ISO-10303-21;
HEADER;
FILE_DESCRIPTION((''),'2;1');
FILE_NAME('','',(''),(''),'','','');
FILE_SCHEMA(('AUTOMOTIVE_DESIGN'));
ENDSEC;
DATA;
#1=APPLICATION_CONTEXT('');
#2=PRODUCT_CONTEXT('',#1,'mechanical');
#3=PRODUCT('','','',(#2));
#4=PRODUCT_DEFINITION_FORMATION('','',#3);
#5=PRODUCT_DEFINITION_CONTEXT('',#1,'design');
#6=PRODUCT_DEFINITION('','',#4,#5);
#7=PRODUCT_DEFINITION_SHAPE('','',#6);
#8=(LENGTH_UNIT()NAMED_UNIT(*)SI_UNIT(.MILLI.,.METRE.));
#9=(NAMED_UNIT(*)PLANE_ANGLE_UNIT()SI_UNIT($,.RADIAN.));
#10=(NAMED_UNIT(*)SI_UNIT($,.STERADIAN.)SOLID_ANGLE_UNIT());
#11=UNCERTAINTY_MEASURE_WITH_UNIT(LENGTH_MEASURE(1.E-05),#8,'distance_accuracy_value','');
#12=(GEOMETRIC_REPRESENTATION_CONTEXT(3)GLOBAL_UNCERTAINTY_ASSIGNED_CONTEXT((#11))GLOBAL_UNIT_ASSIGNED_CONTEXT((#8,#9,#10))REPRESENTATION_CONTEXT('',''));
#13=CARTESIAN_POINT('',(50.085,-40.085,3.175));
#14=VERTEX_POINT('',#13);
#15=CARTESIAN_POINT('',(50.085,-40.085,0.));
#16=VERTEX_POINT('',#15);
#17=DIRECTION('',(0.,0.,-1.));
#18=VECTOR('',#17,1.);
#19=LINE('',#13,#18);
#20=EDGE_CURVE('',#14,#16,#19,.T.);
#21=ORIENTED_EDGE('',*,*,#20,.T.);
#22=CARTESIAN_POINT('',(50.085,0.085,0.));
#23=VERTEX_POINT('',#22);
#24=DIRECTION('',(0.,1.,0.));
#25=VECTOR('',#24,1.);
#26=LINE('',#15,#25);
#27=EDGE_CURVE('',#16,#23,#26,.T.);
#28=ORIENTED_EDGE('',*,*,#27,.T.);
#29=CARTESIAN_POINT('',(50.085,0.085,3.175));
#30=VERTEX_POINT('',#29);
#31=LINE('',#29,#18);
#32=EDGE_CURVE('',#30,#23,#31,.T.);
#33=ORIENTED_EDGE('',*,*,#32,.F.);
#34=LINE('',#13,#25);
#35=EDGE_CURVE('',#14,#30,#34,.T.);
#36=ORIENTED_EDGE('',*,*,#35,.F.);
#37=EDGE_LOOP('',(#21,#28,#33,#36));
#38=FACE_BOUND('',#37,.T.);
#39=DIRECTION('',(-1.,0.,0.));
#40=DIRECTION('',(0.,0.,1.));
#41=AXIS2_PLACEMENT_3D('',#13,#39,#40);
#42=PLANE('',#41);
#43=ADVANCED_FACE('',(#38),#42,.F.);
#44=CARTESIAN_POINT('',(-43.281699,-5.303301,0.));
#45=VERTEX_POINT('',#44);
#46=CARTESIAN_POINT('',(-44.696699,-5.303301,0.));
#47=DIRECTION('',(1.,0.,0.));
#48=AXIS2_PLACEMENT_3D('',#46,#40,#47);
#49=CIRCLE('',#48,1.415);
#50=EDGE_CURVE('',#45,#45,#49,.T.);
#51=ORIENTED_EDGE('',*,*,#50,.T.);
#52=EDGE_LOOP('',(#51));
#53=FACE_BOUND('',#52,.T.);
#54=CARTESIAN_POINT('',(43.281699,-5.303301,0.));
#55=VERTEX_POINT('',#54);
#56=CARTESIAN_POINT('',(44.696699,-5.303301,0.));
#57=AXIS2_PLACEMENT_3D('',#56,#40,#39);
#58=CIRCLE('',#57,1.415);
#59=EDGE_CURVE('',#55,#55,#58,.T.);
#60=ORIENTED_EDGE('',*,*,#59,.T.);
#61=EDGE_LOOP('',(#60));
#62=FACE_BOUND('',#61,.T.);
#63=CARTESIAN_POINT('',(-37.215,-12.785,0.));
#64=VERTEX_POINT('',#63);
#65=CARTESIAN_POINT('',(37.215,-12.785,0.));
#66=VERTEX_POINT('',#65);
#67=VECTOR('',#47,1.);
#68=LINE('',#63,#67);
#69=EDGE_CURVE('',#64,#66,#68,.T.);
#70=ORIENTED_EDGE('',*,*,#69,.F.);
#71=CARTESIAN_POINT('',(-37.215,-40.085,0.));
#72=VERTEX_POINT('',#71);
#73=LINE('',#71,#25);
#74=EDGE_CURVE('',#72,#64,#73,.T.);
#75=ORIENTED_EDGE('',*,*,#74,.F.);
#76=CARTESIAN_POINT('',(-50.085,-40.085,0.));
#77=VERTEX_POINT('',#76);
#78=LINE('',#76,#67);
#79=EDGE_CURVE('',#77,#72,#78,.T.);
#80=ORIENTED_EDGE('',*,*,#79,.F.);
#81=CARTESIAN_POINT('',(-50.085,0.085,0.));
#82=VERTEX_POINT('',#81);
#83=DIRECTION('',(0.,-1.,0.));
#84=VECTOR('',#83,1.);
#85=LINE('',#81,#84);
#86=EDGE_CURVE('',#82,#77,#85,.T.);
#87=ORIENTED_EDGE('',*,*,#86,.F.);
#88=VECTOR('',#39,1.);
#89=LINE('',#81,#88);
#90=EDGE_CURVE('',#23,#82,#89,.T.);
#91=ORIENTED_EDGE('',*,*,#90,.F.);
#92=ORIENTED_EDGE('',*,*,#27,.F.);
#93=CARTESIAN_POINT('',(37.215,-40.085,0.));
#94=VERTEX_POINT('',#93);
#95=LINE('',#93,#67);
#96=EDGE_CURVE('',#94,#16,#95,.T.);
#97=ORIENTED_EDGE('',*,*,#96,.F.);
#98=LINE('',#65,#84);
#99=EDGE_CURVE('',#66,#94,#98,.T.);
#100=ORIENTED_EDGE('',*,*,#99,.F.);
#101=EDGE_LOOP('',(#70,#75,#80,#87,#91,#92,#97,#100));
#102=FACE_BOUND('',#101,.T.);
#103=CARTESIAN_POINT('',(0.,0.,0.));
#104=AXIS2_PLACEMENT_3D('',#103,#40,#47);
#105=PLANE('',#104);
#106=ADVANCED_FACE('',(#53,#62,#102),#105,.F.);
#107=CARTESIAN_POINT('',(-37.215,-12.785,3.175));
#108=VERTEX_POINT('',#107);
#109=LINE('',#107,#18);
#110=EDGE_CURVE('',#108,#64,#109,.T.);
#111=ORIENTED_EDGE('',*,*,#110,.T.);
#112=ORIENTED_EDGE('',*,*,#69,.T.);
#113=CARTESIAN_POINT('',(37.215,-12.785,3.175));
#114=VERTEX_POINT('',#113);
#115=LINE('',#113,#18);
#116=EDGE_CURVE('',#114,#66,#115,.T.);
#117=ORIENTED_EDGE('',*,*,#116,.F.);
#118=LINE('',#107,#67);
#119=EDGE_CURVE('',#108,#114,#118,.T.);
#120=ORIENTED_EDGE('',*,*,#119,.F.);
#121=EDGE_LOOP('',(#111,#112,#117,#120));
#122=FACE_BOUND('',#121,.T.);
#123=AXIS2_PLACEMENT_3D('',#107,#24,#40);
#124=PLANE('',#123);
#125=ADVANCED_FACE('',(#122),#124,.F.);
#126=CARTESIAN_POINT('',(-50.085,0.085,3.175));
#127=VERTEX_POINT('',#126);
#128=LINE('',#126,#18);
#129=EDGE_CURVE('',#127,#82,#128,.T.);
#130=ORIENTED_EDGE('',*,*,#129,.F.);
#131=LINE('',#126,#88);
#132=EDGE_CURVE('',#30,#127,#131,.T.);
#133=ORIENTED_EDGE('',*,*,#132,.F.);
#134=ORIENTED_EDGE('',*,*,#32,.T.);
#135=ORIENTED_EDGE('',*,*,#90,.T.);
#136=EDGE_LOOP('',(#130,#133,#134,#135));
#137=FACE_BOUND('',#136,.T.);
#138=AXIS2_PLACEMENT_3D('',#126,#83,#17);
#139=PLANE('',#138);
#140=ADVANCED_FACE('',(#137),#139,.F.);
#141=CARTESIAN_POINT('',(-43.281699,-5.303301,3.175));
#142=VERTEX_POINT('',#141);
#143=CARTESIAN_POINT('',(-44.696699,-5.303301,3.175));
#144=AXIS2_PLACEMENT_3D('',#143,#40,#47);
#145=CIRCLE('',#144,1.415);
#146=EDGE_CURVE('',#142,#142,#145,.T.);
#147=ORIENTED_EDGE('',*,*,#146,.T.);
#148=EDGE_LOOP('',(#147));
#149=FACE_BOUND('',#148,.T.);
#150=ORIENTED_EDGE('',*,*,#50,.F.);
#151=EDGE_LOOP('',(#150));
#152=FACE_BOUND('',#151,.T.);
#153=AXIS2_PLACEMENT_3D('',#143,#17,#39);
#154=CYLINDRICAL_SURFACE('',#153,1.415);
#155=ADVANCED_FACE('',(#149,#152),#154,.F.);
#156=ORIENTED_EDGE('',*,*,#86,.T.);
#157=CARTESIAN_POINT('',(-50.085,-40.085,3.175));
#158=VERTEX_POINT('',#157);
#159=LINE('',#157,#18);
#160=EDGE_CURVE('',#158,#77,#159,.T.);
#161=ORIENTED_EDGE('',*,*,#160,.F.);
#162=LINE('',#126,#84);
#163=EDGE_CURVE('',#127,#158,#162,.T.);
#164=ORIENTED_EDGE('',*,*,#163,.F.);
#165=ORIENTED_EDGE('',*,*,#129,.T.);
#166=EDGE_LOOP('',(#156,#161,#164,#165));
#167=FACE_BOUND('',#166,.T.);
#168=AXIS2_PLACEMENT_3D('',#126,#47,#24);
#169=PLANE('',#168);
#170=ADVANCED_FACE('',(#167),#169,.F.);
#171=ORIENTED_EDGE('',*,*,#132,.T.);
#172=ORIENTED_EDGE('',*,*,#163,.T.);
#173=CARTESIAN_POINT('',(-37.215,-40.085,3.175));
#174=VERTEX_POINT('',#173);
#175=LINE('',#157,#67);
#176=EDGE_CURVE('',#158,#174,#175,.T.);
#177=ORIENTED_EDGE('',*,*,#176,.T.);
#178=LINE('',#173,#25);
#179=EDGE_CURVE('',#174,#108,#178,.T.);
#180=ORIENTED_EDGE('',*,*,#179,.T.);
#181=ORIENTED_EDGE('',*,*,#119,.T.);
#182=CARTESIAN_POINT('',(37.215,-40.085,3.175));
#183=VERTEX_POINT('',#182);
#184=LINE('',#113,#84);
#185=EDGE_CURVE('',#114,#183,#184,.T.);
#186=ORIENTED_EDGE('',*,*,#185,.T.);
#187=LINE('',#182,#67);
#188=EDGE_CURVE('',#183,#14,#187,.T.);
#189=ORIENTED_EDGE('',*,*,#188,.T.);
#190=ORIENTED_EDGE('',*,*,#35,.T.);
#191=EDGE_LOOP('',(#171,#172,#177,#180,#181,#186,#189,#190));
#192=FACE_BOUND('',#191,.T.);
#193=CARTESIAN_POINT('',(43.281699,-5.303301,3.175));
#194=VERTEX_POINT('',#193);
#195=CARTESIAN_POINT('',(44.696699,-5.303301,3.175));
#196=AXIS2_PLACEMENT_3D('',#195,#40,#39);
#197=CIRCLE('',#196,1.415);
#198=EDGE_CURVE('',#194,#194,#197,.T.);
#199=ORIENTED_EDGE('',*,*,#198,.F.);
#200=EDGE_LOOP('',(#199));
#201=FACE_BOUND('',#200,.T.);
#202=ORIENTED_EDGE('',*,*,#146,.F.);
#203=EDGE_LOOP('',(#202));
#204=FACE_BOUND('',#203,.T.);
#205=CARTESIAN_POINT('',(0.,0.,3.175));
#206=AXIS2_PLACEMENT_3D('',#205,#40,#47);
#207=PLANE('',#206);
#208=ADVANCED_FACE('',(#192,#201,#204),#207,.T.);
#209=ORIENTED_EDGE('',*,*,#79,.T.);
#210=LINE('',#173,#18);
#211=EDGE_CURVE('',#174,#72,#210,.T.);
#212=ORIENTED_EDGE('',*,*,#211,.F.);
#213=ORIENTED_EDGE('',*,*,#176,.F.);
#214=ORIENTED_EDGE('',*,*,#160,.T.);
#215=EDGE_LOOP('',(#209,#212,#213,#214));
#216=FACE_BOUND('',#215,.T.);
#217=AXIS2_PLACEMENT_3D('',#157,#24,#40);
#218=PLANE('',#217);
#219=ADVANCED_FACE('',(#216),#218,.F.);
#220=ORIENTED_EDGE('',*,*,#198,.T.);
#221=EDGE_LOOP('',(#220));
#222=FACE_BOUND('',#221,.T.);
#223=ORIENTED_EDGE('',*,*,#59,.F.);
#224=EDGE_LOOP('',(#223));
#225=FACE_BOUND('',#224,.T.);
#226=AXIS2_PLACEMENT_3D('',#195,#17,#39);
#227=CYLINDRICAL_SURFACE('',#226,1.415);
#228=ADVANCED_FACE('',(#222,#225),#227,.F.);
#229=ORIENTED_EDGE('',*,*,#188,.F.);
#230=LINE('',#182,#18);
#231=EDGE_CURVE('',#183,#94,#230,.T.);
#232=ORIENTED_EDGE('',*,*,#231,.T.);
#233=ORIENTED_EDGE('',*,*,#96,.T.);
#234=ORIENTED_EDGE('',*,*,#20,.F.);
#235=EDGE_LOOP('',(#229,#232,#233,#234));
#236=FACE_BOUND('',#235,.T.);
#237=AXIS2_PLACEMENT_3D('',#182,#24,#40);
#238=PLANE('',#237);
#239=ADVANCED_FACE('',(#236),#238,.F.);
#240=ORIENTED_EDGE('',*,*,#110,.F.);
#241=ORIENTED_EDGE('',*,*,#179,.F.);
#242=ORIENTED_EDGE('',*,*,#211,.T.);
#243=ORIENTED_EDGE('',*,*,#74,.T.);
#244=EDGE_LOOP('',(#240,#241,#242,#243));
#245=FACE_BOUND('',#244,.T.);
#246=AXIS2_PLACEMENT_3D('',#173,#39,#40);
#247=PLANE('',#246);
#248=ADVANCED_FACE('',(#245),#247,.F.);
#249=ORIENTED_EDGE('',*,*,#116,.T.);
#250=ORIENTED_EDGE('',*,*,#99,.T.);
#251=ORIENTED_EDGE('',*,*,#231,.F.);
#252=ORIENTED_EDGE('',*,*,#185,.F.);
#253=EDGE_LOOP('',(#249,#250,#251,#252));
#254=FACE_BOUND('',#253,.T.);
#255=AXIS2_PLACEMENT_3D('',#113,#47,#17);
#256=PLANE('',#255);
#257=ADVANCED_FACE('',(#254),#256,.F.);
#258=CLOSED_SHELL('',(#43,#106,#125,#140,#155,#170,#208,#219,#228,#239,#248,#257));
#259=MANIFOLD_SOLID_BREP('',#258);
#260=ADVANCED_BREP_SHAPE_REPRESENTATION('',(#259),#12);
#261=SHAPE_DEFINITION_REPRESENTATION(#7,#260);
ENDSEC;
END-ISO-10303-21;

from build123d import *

# Parameters (mm, degrees)
SKETCH1_R           = 1.415
BOSS_EXTRUDE1_DEPTH = 3.175


with BuildPart() as part:
    # Sketch1 → Boss-Extrude1 (new body)
    with BuildSketch(Plane.XY):
        Polygon((50.085, -40.085), (50.085, 0.085), (-50.085, 0.085), (-50.085, -40.085), (-37.215, -40.085), (-37.215, -12.785), (37.215, -12.785), (37.215, -40.085), align=None)
        with Locations((-44.696699141, -5.303300859)):
            Circle(SKETCH1_R, mode=Mode.SUBTRACT)
        with Locations((44.696699141, -5.303300859)):
            Circle(SKETCH1_R, mode=Mode.SUBTRACT)
    extrude(amount=BOSS_EXTRUDE1_DEPTH)


solid = part.part
